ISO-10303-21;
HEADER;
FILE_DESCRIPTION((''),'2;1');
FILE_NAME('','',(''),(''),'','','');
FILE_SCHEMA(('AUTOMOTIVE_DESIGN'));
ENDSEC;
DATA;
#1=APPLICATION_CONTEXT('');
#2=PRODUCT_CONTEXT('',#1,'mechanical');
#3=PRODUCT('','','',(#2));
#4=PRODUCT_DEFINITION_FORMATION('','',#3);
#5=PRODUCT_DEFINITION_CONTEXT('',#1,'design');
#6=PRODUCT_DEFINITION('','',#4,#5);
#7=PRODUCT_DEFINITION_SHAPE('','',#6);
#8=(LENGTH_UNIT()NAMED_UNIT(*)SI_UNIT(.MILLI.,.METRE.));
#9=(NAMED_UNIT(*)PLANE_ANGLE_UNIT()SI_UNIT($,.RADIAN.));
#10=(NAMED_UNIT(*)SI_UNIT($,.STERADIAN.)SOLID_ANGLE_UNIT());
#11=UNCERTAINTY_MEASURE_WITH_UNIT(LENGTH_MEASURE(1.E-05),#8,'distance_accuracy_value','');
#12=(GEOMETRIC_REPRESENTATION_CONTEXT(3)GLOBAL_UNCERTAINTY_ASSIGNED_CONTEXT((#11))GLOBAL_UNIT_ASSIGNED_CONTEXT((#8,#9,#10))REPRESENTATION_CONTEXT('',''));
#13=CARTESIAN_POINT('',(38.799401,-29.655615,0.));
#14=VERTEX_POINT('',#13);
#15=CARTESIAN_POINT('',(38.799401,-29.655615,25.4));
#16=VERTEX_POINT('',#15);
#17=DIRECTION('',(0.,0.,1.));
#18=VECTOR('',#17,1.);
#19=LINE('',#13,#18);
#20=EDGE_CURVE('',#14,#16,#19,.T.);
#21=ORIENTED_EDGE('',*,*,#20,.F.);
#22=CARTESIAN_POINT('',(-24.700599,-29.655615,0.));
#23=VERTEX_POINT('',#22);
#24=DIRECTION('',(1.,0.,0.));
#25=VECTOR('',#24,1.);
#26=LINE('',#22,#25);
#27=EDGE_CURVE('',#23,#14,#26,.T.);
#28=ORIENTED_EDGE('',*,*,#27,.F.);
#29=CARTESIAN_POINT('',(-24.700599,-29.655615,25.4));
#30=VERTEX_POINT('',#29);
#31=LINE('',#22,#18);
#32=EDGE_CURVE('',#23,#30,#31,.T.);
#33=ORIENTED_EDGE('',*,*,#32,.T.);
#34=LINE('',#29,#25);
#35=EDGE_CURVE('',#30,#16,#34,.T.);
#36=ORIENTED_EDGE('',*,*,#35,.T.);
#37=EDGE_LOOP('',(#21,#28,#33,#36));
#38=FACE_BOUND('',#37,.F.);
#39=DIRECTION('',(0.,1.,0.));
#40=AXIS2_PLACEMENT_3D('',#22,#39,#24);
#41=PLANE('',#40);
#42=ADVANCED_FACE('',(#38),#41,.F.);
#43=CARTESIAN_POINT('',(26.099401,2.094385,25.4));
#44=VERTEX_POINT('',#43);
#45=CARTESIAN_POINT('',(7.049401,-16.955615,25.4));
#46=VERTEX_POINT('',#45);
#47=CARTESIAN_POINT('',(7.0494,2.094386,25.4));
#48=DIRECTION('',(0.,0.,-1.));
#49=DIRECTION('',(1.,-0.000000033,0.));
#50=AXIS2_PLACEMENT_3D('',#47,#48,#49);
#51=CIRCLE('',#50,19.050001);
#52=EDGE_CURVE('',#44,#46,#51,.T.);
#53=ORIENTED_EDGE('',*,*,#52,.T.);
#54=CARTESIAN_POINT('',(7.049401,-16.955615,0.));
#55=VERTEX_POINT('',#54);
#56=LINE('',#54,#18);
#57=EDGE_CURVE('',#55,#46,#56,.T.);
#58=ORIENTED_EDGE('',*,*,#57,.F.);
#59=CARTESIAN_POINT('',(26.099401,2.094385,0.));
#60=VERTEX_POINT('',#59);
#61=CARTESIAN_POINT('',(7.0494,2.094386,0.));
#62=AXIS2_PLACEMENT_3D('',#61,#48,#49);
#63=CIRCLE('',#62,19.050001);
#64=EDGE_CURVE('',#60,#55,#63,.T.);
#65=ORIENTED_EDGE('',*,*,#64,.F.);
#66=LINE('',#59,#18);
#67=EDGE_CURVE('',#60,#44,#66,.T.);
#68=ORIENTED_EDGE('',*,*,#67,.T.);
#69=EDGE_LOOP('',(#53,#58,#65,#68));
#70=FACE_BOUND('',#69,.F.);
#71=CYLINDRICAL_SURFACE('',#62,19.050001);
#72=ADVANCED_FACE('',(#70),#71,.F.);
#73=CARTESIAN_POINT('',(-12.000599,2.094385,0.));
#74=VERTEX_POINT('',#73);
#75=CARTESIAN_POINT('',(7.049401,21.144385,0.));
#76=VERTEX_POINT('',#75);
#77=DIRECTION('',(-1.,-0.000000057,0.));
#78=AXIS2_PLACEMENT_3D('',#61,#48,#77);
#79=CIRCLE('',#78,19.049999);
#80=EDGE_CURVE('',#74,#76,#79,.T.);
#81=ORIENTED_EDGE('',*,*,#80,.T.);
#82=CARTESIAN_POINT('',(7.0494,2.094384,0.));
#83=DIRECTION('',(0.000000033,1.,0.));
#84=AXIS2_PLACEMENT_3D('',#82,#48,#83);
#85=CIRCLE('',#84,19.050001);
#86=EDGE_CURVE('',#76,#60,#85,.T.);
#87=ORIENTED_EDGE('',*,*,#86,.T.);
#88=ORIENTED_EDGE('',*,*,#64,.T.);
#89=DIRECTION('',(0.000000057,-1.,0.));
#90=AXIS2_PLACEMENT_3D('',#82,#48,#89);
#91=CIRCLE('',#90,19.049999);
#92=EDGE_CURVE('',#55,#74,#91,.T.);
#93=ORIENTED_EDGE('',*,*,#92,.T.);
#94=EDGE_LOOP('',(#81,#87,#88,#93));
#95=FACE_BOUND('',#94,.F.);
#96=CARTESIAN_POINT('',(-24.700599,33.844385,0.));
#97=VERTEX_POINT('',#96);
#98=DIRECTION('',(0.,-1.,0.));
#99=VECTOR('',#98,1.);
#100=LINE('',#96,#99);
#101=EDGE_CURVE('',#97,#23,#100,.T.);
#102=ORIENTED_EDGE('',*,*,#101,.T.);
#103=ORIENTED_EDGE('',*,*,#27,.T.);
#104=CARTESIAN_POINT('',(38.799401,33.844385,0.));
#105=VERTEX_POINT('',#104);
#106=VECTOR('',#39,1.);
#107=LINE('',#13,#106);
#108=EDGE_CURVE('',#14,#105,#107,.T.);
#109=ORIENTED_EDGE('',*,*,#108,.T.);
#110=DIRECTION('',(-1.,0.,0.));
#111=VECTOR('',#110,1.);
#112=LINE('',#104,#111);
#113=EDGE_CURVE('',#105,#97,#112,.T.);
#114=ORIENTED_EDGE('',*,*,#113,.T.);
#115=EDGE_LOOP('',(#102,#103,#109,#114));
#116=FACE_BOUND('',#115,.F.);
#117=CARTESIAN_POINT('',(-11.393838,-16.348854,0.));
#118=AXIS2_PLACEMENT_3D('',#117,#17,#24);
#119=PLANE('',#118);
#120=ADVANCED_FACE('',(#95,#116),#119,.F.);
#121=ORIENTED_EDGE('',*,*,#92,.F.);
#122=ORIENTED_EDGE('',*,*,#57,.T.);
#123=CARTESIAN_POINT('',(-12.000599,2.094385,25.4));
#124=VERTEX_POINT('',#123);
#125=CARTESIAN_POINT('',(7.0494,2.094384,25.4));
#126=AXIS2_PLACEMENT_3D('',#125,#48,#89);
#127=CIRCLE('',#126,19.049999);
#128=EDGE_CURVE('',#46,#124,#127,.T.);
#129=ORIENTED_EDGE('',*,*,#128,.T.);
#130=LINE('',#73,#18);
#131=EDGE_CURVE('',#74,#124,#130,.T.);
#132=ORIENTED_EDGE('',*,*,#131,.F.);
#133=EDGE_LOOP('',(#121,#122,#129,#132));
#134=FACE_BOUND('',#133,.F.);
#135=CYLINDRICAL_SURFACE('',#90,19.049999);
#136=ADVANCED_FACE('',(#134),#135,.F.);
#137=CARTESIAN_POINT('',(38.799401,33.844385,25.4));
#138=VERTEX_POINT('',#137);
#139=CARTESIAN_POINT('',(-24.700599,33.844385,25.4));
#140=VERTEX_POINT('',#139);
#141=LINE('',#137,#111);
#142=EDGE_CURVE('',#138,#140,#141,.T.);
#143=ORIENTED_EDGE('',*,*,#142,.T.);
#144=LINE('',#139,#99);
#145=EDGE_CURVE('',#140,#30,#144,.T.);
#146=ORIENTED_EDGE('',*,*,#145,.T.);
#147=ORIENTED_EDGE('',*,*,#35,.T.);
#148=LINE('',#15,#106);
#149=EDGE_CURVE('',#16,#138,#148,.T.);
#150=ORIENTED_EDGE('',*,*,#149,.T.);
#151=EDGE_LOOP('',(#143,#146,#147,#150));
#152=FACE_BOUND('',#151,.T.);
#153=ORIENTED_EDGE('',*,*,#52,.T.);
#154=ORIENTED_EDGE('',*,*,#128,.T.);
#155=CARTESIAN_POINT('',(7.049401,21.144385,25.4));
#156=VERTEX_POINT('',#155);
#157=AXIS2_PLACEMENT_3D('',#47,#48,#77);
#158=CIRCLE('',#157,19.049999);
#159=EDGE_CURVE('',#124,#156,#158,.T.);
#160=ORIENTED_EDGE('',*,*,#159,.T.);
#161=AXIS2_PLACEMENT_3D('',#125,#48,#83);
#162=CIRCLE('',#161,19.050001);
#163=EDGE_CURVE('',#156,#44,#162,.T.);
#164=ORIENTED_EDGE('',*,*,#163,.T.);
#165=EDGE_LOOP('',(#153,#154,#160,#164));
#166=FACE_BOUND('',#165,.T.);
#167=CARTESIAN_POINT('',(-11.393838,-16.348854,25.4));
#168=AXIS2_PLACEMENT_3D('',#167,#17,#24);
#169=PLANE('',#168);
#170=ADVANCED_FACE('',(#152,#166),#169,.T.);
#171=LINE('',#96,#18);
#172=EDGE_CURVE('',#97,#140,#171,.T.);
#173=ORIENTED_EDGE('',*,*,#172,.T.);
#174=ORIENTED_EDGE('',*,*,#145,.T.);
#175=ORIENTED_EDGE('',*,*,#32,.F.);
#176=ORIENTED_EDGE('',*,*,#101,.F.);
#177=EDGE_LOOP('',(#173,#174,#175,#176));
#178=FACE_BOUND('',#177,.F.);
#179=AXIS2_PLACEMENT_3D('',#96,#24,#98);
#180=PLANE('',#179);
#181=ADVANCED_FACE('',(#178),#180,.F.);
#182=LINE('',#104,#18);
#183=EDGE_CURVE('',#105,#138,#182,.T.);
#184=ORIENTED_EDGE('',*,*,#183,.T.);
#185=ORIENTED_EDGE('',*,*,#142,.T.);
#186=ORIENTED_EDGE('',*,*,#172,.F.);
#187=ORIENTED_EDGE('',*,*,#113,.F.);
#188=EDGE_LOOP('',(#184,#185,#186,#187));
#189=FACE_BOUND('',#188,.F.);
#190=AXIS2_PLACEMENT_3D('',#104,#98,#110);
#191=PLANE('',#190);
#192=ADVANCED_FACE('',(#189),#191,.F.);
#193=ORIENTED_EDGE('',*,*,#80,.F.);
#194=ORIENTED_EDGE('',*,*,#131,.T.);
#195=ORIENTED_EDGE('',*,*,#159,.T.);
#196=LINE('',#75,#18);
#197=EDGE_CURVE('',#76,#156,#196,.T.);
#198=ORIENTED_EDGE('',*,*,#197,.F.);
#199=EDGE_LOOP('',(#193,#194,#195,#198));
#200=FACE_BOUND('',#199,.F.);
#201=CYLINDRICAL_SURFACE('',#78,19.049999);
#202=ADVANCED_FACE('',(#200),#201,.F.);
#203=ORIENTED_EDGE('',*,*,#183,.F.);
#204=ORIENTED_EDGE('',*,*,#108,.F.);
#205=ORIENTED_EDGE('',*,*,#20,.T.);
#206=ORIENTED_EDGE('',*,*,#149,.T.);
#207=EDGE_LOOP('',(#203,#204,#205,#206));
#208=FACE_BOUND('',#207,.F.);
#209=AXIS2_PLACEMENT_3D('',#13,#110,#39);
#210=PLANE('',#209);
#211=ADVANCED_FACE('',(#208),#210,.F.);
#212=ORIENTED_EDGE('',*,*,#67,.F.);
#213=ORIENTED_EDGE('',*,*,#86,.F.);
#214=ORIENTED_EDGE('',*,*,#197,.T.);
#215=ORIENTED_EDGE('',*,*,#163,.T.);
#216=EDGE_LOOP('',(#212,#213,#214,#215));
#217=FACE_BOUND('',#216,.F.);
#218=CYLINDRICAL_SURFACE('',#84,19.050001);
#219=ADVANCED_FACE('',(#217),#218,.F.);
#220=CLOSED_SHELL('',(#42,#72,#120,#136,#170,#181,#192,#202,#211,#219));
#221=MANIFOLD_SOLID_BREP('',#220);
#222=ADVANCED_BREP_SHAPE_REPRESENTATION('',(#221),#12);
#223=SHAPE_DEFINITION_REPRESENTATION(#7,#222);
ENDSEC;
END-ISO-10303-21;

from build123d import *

# Parameters (mm, degrees)
F1_DEPTH = 25.4


with BuildPart() as f1:
    # F0 (on Top) → F1 (new body)
    with BuildSketch(Plane.XY):
        with BuildLine():
            Line((-24.700599, 2.094385), (-24.700599, -29.655615))
            Line((-24.700599, -29.655615), (7.049401, -29.655615))
            Line((7.049401, -29.655615), (7.049401, -16.955615))
            ThreePointArc((7.049401, -16.955615), (-6.420984, -11.375999), (-12.000599, 2.094385))
            Line((-12.000599, 2.094385), (-24.700599, 2.094385))
        make_face()
        with BuildLine():
            Line((7.049401, -16.955615), (7.049401, -29.655615))
            Line((7.049401, -29.655615), (38.799401, -29.655615))
            Line((38.799401, -29.655615), (38.799401, 2.094385))
            Line((38.799401, 2.094385), (26.099401, 2.094385))
            ThreePointArc((26.099401, 2.094385), (20.519785, -11.375999), (7.049401, -16.955615))
        make_face()
        with BuildLine():
            Line((-24.700599, 33.844385), (-24.700599, 2.094385))
            Line((-24.700599, 2.094385), (-12.000599, 2.094385))
            ThreePointArc((-12.000599, 2.094385), (-6.420984, 15.564769), (7.049401, 21.144385))
            Line((7.049401, 21.144385), (7.049401, 33.844385))
            Line((7.049401, 33.844385), (-24.700599, 33.844385))
        make_face()
        with BuildLine():
            Line((26.099401, 2.094385), (38.799401, 2.094385))
            Line((38.799401, 2.094385), (38.799401, 33.844385))
            Line((38.799401, 33.844385), (7.049401, 33.844385))
            Line((7.049401, 33.844385), (7.049401, 21.144385))
            ThreePointArc((7.049401, 21.144385), (20.519785, 15.564769), (26.099401, 2.094385))
        make_face()
    extrude(amount=F1_DEPTH)


solid = f1.part
